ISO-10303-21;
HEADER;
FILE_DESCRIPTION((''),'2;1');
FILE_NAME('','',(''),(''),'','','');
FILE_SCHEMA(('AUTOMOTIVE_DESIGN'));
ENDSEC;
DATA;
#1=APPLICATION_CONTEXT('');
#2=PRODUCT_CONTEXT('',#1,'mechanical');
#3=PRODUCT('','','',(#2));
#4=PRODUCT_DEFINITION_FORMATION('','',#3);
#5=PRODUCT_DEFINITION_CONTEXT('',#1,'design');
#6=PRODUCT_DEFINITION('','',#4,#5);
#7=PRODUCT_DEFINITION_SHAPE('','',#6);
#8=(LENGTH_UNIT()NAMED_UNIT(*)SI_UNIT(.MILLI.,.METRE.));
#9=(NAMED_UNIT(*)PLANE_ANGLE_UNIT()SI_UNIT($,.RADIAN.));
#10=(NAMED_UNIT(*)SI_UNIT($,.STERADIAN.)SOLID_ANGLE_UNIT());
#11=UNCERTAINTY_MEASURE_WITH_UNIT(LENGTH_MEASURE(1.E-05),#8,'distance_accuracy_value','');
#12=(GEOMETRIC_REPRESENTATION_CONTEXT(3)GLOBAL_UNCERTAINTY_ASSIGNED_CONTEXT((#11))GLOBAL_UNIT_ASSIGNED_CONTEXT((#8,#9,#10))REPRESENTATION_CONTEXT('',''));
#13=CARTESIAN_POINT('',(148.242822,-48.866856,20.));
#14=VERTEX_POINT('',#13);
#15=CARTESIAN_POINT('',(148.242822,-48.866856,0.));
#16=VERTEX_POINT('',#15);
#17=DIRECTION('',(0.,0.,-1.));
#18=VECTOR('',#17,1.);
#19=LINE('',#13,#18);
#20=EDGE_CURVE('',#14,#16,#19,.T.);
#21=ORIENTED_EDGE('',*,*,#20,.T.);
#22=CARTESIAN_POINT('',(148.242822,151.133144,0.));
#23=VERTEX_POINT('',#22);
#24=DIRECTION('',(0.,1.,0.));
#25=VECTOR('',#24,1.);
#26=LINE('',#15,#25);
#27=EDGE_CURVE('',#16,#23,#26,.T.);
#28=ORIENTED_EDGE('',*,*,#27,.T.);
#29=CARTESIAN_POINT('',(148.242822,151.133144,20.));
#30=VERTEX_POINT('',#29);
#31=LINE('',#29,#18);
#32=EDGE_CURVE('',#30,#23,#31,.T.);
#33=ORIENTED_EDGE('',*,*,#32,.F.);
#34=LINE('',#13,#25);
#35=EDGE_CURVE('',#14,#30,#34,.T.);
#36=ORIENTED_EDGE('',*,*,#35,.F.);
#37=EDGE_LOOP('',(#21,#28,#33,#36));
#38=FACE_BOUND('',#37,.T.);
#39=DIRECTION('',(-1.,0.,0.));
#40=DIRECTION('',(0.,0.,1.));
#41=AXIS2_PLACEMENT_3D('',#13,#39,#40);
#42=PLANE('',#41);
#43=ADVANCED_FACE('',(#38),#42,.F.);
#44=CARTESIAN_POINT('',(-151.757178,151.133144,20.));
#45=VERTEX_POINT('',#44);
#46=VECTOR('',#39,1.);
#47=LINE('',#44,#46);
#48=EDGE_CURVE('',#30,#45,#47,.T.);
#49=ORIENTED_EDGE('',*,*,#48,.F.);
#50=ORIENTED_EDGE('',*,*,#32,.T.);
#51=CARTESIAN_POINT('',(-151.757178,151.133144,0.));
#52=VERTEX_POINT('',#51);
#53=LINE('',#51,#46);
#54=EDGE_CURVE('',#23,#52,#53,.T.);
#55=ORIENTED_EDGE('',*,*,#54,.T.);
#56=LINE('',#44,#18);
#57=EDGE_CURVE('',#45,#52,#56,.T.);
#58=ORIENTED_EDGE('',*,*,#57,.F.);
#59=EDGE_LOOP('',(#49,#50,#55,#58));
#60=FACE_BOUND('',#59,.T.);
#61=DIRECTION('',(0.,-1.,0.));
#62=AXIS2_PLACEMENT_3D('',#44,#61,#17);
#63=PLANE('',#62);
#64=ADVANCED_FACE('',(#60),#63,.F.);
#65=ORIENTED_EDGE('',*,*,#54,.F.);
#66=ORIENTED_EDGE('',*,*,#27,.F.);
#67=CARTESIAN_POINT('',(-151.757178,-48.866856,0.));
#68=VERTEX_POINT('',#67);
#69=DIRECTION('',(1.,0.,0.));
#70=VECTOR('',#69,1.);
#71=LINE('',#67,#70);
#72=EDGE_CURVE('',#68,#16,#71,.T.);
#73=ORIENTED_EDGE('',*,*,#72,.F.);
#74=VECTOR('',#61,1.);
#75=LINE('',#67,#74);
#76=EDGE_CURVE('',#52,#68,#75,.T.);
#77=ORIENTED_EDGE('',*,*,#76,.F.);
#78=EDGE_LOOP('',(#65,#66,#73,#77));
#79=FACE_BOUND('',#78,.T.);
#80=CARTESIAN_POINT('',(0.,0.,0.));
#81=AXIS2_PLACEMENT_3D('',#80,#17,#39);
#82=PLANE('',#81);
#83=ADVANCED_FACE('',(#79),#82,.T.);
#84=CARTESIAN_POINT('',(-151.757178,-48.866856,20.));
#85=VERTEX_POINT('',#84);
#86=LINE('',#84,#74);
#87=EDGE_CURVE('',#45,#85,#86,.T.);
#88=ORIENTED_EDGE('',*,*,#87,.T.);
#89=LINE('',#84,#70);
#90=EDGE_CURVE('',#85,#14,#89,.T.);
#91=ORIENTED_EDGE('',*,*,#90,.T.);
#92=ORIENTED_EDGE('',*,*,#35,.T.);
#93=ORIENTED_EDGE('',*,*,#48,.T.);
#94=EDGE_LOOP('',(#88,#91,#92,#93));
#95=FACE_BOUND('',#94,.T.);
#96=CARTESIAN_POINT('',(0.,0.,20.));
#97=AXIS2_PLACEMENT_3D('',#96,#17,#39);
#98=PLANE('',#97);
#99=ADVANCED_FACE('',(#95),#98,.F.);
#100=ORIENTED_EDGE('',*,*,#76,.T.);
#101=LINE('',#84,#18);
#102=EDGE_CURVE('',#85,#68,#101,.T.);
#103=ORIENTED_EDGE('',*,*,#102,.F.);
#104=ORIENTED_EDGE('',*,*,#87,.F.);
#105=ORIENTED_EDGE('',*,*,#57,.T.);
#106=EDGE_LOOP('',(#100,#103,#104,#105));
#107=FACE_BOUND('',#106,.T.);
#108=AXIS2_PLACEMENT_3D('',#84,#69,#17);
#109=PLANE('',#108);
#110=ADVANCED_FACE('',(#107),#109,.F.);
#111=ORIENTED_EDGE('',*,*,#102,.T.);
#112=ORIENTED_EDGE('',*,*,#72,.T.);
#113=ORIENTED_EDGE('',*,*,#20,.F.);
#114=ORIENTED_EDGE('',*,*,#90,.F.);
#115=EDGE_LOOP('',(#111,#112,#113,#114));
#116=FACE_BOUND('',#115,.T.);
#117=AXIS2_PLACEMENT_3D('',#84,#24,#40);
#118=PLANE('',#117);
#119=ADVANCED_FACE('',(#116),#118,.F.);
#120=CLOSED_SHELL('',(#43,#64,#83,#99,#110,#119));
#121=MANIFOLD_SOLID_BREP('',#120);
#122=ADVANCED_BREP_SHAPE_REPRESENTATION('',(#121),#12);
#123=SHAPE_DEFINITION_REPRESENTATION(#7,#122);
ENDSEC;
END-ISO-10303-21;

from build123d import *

# Parameters (mm, degrees)
ESBO_O1_W                = 300
ESBO_O1_H                = 200
RESSALTO_EXTRUS_O1_DEPTH = 20


with BuildPart() as part:
    # Esboço1 → Ressalto-extrusão1 (new body)
    with BuildSketch(Plane.XY):
        with Locations((-1.757177922, 51.133144476)):
            Rectangle(ESBO_O1_W, ESBO_O1_H)
    extrude(amount=RESSALTO_EXTRUS_O1_DEPTH)


solid = part.part
